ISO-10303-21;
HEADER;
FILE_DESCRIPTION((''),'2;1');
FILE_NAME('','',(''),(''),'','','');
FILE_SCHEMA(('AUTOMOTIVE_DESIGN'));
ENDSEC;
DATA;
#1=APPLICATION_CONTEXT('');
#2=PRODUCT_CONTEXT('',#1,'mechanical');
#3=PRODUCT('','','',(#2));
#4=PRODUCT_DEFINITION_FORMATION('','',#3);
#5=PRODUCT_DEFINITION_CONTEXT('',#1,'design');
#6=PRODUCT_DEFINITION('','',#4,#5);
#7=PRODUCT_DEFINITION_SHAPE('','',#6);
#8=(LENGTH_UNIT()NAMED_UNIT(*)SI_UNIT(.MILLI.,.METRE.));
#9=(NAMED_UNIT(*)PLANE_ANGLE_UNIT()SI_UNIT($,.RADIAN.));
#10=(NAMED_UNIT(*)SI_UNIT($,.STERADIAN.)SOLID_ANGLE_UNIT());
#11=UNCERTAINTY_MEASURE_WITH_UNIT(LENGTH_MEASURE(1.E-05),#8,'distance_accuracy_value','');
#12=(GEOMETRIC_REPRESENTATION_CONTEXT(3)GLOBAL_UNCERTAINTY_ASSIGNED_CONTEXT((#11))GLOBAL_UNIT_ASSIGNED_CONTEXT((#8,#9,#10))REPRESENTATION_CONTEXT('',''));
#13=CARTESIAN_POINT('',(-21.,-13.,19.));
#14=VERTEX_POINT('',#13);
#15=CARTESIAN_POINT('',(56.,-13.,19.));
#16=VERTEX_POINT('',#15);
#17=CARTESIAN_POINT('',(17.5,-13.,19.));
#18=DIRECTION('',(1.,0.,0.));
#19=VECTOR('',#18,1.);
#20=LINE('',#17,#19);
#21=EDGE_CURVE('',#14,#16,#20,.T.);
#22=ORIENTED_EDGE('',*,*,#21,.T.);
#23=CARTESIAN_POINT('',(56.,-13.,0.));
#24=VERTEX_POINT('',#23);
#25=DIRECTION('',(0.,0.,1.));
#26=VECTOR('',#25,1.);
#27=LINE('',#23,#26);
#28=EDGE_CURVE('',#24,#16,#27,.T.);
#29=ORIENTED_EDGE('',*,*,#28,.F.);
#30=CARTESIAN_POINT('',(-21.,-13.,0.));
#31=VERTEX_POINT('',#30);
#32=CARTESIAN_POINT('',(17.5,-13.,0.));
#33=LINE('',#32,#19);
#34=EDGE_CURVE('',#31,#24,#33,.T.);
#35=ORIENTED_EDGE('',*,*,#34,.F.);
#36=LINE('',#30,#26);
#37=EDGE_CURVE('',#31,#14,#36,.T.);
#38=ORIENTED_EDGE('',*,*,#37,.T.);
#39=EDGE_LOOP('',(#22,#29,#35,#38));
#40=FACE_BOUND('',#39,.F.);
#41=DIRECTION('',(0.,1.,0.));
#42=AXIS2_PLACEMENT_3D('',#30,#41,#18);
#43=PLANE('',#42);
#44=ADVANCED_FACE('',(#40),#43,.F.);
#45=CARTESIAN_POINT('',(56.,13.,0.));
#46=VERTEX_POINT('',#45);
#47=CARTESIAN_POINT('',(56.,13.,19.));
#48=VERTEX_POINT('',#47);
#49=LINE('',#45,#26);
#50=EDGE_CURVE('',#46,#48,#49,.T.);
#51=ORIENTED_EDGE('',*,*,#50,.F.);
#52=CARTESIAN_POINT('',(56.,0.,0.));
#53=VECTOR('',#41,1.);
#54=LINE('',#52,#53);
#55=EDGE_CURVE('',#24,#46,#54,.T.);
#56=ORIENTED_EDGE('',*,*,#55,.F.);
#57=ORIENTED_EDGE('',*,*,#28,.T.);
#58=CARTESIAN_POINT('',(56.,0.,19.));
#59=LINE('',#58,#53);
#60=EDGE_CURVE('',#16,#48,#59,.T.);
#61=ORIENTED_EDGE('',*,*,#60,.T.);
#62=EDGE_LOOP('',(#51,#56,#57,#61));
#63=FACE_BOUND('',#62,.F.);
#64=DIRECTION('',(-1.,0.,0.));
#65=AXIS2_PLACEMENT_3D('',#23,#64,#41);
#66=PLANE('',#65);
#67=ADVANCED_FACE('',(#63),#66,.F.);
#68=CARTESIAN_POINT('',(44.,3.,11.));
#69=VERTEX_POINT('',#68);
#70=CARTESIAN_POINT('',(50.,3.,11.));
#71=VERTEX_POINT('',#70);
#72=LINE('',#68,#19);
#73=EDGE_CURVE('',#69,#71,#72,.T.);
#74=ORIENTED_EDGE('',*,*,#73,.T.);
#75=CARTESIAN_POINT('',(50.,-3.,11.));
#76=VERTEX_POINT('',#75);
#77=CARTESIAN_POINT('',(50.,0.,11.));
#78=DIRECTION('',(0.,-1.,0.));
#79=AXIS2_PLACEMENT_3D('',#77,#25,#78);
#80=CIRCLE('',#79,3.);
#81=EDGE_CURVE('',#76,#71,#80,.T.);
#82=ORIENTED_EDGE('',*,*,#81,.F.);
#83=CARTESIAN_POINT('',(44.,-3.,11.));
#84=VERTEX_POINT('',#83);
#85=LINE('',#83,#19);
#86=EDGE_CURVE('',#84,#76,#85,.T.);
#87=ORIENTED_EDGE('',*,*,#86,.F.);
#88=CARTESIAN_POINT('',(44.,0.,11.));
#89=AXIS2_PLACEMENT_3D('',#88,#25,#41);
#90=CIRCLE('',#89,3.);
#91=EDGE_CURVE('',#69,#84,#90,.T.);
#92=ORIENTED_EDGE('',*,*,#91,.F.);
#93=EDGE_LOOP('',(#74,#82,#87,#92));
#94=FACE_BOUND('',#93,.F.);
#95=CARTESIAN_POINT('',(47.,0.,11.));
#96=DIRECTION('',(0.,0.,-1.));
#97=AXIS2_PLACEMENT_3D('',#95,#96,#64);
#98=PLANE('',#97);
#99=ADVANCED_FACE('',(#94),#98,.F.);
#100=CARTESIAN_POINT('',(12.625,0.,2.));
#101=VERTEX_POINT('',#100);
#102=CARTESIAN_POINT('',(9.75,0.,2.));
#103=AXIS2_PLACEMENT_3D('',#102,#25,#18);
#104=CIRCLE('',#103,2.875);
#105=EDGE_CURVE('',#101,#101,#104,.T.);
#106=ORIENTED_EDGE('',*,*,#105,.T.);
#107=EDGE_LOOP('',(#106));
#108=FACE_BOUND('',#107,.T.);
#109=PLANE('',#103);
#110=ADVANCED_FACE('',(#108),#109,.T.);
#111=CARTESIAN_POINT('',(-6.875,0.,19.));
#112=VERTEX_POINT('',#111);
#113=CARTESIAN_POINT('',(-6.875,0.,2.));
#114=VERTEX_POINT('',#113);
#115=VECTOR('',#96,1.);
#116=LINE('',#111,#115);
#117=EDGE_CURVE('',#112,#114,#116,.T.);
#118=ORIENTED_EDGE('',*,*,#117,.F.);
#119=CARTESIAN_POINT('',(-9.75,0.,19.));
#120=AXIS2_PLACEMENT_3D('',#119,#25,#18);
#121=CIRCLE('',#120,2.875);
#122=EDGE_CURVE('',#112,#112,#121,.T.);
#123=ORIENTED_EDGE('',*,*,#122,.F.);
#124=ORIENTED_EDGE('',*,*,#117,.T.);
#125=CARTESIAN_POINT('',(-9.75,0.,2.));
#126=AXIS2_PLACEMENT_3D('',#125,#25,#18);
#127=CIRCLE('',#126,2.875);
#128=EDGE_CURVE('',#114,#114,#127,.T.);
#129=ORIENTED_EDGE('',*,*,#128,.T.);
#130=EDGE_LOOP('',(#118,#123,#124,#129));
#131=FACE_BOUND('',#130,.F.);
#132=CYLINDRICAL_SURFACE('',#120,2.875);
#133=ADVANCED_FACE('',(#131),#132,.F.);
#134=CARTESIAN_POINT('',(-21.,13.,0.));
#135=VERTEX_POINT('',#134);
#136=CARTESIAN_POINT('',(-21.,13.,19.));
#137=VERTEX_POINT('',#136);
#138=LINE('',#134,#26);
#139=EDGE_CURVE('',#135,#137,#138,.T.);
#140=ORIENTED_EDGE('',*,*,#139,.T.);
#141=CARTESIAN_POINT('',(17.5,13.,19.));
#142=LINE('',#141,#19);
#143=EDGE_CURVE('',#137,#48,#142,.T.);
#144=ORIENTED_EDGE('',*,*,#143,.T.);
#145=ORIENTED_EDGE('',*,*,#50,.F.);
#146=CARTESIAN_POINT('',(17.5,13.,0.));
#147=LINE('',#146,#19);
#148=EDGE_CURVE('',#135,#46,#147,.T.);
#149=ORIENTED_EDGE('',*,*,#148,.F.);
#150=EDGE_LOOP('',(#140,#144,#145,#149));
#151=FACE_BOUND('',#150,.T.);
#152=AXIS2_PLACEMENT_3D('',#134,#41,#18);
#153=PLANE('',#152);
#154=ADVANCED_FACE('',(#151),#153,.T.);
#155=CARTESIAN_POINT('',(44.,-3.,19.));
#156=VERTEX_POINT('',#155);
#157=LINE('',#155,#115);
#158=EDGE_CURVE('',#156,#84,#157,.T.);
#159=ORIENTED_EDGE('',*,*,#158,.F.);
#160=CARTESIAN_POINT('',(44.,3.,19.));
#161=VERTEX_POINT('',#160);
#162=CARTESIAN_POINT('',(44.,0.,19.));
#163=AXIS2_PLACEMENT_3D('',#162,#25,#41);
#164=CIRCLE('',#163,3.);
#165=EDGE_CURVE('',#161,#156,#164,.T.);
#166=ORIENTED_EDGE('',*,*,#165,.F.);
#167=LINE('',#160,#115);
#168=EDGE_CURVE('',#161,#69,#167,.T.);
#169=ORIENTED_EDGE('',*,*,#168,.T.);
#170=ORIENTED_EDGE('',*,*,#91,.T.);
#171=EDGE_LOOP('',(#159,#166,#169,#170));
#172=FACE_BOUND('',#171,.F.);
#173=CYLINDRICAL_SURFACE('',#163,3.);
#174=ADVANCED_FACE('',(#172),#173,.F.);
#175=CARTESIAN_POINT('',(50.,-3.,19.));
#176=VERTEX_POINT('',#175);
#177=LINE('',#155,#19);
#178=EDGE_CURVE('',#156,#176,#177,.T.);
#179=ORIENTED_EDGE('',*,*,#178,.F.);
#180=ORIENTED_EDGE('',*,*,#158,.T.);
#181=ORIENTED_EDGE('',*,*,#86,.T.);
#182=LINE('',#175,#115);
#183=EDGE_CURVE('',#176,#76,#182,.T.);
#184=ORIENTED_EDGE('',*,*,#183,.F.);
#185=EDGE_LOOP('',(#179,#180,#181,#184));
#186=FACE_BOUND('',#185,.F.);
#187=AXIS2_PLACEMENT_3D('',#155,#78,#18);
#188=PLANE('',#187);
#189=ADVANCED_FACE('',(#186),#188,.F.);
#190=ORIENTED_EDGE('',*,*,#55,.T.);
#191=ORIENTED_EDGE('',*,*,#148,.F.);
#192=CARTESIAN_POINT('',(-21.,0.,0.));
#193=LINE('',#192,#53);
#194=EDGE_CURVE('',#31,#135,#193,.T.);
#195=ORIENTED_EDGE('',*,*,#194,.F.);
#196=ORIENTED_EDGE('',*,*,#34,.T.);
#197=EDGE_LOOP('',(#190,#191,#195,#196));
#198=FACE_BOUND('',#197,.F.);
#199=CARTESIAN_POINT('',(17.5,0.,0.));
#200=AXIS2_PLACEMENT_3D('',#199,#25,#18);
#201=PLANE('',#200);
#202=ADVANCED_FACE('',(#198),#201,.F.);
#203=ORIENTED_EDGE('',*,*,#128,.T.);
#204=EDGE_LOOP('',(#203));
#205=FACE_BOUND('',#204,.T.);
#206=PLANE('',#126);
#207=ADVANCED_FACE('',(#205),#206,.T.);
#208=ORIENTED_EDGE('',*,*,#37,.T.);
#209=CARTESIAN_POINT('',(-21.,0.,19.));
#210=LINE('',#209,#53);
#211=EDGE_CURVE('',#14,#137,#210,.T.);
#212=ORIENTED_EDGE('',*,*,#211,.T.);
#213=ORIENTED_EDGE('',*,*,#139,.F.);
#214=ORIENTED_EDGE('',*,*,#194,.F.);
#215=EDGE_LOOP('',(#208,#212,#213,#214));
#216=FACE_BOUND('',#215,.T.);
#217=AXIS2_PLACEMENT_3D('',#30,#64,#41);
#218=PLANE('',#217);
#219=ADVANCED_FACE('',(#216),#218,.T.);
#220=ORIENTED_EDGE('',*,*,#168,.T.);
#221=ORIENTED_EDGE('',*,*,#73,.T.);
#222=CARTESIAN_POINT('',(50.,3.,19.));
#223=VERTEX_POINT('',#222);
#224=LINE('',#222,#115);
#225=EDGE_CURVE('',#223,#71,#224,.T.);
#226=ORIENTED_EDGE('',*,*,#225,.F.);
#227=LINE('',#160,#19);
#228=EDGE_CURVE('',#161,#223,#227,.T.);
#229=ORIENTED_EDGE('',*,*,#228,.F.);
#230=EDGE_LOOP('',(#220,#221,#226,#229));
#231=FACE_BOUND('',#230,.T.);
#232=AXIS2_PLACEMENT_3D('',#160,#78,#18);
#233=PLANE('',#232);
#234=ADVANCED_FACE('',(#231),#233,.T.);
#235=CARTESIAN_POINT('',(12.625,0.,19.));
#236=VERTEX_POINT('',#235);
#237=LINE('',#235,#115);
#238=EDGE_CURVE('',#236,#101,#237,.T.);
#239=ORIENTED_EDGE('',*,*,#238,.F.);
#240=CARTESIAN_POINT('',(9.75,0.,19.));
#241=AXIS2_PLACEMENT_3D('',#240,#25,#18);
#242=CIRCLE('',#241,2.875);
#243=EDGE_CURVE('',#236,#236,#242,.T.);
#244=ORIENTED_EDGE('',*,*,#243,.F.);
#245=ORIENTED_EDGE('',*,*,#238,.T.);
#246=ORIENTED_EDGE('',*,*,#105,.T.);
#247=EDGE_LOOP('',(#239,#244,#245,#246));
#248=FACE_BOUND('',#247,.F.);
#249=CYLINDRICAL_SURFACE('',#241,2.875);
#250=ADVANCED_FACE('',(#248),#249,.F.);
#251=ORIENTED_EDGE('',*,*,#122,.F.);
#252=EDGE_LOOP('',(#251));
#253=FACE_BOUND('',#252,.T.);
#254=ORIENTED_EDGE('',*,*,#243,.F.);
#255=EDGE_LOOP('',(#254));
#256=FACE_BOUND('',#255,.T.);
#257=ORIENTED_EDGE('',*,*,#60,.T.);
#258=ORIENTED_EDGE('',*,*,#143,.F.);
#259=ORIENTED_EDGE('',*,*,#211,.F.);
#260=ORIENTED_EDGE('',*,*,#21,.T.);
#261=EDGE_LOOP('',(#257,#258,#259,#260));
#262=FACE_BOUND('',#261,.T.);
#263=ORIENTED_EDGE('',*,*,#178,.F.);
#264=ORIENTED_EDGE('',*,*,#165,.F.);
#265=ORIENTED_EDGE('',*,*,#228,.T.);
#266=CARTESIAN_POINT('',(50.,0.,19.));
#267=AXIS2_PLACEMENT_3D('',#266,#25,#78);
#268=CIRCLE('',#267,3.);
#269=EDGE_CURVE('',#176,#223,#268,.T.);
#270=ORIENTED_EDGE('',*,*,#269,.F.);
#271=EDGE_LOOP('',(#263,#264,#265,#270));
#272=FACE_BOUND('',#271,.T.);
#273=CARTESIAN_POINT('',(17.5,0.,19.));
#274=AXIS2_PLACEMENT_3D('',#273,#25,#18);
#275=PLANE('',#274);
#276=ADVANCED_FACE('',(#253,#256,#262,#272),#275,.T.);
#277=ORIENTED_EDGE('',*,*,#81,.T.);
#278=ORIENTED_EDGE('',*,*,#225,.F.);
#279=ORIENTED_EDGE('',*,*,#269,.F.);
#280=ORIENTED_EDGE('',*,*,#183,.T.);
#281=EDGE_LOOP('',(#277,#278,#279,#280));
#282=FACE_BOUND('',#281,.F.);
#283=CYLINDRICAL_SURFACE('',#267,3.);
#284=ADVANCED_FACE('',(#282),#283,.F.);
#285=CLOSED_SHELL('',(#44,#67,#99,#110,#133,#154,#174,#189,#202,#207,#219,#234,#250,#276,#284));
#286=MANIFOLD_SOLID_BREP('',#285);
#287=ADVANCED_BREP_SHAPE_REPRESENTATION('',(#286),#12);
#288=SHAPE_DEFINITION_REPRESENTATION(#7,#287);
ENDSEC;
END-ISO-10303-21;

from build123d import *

# Parameters (mm, degrees)
SKETCH_W        = 77
SKETCH_H        = 26
PAD_DEPTH       = 19
SKETCH001_R     = 2.875
POCKET_DEPTH    = 17
POCKET001_DEPTH = 8


with BuildPart() as part:
    # Sketch → Pad (new body)
    with BuildSketch(Plane.XY):
        with Locations((17.5, 0)):
            Rectangle(SKETCH_W, SKETCH_H)
    extrude(amount=PAD_DEPTH)

    # Sketch001 (on Face6 of Pad) → Pocket (cut)
    with BuildSketch(Plane.XY.offset(19)):
        with Locations((-9.75, 0)):
            Circle(SKETCH001_R)
        with Locations((9.75, 0)):
            Circle(SKETCH001_R)
    extrude(amount=-POCKET_DEPTH, mode=Mode.SUBTRACT)

    # Sketch002 (on Face5 of Pocket) → Pocket001 (cut)
    with BuildSketch(Plane.XY.offset(19)):
        with BuildLine():
            Line((44, 3), (50, 3))
            ThreePointArc((50, -3), (53, 0), (50, 3))
            Line((44, -3), (50, -3))
            ThreePointArc((44, 3), (41, 0), (44, -3))
        make_face()
    extrude(amount=-POCKET001_DEPTH, mode=Mode.SUBTRACT)


solid = part.part
